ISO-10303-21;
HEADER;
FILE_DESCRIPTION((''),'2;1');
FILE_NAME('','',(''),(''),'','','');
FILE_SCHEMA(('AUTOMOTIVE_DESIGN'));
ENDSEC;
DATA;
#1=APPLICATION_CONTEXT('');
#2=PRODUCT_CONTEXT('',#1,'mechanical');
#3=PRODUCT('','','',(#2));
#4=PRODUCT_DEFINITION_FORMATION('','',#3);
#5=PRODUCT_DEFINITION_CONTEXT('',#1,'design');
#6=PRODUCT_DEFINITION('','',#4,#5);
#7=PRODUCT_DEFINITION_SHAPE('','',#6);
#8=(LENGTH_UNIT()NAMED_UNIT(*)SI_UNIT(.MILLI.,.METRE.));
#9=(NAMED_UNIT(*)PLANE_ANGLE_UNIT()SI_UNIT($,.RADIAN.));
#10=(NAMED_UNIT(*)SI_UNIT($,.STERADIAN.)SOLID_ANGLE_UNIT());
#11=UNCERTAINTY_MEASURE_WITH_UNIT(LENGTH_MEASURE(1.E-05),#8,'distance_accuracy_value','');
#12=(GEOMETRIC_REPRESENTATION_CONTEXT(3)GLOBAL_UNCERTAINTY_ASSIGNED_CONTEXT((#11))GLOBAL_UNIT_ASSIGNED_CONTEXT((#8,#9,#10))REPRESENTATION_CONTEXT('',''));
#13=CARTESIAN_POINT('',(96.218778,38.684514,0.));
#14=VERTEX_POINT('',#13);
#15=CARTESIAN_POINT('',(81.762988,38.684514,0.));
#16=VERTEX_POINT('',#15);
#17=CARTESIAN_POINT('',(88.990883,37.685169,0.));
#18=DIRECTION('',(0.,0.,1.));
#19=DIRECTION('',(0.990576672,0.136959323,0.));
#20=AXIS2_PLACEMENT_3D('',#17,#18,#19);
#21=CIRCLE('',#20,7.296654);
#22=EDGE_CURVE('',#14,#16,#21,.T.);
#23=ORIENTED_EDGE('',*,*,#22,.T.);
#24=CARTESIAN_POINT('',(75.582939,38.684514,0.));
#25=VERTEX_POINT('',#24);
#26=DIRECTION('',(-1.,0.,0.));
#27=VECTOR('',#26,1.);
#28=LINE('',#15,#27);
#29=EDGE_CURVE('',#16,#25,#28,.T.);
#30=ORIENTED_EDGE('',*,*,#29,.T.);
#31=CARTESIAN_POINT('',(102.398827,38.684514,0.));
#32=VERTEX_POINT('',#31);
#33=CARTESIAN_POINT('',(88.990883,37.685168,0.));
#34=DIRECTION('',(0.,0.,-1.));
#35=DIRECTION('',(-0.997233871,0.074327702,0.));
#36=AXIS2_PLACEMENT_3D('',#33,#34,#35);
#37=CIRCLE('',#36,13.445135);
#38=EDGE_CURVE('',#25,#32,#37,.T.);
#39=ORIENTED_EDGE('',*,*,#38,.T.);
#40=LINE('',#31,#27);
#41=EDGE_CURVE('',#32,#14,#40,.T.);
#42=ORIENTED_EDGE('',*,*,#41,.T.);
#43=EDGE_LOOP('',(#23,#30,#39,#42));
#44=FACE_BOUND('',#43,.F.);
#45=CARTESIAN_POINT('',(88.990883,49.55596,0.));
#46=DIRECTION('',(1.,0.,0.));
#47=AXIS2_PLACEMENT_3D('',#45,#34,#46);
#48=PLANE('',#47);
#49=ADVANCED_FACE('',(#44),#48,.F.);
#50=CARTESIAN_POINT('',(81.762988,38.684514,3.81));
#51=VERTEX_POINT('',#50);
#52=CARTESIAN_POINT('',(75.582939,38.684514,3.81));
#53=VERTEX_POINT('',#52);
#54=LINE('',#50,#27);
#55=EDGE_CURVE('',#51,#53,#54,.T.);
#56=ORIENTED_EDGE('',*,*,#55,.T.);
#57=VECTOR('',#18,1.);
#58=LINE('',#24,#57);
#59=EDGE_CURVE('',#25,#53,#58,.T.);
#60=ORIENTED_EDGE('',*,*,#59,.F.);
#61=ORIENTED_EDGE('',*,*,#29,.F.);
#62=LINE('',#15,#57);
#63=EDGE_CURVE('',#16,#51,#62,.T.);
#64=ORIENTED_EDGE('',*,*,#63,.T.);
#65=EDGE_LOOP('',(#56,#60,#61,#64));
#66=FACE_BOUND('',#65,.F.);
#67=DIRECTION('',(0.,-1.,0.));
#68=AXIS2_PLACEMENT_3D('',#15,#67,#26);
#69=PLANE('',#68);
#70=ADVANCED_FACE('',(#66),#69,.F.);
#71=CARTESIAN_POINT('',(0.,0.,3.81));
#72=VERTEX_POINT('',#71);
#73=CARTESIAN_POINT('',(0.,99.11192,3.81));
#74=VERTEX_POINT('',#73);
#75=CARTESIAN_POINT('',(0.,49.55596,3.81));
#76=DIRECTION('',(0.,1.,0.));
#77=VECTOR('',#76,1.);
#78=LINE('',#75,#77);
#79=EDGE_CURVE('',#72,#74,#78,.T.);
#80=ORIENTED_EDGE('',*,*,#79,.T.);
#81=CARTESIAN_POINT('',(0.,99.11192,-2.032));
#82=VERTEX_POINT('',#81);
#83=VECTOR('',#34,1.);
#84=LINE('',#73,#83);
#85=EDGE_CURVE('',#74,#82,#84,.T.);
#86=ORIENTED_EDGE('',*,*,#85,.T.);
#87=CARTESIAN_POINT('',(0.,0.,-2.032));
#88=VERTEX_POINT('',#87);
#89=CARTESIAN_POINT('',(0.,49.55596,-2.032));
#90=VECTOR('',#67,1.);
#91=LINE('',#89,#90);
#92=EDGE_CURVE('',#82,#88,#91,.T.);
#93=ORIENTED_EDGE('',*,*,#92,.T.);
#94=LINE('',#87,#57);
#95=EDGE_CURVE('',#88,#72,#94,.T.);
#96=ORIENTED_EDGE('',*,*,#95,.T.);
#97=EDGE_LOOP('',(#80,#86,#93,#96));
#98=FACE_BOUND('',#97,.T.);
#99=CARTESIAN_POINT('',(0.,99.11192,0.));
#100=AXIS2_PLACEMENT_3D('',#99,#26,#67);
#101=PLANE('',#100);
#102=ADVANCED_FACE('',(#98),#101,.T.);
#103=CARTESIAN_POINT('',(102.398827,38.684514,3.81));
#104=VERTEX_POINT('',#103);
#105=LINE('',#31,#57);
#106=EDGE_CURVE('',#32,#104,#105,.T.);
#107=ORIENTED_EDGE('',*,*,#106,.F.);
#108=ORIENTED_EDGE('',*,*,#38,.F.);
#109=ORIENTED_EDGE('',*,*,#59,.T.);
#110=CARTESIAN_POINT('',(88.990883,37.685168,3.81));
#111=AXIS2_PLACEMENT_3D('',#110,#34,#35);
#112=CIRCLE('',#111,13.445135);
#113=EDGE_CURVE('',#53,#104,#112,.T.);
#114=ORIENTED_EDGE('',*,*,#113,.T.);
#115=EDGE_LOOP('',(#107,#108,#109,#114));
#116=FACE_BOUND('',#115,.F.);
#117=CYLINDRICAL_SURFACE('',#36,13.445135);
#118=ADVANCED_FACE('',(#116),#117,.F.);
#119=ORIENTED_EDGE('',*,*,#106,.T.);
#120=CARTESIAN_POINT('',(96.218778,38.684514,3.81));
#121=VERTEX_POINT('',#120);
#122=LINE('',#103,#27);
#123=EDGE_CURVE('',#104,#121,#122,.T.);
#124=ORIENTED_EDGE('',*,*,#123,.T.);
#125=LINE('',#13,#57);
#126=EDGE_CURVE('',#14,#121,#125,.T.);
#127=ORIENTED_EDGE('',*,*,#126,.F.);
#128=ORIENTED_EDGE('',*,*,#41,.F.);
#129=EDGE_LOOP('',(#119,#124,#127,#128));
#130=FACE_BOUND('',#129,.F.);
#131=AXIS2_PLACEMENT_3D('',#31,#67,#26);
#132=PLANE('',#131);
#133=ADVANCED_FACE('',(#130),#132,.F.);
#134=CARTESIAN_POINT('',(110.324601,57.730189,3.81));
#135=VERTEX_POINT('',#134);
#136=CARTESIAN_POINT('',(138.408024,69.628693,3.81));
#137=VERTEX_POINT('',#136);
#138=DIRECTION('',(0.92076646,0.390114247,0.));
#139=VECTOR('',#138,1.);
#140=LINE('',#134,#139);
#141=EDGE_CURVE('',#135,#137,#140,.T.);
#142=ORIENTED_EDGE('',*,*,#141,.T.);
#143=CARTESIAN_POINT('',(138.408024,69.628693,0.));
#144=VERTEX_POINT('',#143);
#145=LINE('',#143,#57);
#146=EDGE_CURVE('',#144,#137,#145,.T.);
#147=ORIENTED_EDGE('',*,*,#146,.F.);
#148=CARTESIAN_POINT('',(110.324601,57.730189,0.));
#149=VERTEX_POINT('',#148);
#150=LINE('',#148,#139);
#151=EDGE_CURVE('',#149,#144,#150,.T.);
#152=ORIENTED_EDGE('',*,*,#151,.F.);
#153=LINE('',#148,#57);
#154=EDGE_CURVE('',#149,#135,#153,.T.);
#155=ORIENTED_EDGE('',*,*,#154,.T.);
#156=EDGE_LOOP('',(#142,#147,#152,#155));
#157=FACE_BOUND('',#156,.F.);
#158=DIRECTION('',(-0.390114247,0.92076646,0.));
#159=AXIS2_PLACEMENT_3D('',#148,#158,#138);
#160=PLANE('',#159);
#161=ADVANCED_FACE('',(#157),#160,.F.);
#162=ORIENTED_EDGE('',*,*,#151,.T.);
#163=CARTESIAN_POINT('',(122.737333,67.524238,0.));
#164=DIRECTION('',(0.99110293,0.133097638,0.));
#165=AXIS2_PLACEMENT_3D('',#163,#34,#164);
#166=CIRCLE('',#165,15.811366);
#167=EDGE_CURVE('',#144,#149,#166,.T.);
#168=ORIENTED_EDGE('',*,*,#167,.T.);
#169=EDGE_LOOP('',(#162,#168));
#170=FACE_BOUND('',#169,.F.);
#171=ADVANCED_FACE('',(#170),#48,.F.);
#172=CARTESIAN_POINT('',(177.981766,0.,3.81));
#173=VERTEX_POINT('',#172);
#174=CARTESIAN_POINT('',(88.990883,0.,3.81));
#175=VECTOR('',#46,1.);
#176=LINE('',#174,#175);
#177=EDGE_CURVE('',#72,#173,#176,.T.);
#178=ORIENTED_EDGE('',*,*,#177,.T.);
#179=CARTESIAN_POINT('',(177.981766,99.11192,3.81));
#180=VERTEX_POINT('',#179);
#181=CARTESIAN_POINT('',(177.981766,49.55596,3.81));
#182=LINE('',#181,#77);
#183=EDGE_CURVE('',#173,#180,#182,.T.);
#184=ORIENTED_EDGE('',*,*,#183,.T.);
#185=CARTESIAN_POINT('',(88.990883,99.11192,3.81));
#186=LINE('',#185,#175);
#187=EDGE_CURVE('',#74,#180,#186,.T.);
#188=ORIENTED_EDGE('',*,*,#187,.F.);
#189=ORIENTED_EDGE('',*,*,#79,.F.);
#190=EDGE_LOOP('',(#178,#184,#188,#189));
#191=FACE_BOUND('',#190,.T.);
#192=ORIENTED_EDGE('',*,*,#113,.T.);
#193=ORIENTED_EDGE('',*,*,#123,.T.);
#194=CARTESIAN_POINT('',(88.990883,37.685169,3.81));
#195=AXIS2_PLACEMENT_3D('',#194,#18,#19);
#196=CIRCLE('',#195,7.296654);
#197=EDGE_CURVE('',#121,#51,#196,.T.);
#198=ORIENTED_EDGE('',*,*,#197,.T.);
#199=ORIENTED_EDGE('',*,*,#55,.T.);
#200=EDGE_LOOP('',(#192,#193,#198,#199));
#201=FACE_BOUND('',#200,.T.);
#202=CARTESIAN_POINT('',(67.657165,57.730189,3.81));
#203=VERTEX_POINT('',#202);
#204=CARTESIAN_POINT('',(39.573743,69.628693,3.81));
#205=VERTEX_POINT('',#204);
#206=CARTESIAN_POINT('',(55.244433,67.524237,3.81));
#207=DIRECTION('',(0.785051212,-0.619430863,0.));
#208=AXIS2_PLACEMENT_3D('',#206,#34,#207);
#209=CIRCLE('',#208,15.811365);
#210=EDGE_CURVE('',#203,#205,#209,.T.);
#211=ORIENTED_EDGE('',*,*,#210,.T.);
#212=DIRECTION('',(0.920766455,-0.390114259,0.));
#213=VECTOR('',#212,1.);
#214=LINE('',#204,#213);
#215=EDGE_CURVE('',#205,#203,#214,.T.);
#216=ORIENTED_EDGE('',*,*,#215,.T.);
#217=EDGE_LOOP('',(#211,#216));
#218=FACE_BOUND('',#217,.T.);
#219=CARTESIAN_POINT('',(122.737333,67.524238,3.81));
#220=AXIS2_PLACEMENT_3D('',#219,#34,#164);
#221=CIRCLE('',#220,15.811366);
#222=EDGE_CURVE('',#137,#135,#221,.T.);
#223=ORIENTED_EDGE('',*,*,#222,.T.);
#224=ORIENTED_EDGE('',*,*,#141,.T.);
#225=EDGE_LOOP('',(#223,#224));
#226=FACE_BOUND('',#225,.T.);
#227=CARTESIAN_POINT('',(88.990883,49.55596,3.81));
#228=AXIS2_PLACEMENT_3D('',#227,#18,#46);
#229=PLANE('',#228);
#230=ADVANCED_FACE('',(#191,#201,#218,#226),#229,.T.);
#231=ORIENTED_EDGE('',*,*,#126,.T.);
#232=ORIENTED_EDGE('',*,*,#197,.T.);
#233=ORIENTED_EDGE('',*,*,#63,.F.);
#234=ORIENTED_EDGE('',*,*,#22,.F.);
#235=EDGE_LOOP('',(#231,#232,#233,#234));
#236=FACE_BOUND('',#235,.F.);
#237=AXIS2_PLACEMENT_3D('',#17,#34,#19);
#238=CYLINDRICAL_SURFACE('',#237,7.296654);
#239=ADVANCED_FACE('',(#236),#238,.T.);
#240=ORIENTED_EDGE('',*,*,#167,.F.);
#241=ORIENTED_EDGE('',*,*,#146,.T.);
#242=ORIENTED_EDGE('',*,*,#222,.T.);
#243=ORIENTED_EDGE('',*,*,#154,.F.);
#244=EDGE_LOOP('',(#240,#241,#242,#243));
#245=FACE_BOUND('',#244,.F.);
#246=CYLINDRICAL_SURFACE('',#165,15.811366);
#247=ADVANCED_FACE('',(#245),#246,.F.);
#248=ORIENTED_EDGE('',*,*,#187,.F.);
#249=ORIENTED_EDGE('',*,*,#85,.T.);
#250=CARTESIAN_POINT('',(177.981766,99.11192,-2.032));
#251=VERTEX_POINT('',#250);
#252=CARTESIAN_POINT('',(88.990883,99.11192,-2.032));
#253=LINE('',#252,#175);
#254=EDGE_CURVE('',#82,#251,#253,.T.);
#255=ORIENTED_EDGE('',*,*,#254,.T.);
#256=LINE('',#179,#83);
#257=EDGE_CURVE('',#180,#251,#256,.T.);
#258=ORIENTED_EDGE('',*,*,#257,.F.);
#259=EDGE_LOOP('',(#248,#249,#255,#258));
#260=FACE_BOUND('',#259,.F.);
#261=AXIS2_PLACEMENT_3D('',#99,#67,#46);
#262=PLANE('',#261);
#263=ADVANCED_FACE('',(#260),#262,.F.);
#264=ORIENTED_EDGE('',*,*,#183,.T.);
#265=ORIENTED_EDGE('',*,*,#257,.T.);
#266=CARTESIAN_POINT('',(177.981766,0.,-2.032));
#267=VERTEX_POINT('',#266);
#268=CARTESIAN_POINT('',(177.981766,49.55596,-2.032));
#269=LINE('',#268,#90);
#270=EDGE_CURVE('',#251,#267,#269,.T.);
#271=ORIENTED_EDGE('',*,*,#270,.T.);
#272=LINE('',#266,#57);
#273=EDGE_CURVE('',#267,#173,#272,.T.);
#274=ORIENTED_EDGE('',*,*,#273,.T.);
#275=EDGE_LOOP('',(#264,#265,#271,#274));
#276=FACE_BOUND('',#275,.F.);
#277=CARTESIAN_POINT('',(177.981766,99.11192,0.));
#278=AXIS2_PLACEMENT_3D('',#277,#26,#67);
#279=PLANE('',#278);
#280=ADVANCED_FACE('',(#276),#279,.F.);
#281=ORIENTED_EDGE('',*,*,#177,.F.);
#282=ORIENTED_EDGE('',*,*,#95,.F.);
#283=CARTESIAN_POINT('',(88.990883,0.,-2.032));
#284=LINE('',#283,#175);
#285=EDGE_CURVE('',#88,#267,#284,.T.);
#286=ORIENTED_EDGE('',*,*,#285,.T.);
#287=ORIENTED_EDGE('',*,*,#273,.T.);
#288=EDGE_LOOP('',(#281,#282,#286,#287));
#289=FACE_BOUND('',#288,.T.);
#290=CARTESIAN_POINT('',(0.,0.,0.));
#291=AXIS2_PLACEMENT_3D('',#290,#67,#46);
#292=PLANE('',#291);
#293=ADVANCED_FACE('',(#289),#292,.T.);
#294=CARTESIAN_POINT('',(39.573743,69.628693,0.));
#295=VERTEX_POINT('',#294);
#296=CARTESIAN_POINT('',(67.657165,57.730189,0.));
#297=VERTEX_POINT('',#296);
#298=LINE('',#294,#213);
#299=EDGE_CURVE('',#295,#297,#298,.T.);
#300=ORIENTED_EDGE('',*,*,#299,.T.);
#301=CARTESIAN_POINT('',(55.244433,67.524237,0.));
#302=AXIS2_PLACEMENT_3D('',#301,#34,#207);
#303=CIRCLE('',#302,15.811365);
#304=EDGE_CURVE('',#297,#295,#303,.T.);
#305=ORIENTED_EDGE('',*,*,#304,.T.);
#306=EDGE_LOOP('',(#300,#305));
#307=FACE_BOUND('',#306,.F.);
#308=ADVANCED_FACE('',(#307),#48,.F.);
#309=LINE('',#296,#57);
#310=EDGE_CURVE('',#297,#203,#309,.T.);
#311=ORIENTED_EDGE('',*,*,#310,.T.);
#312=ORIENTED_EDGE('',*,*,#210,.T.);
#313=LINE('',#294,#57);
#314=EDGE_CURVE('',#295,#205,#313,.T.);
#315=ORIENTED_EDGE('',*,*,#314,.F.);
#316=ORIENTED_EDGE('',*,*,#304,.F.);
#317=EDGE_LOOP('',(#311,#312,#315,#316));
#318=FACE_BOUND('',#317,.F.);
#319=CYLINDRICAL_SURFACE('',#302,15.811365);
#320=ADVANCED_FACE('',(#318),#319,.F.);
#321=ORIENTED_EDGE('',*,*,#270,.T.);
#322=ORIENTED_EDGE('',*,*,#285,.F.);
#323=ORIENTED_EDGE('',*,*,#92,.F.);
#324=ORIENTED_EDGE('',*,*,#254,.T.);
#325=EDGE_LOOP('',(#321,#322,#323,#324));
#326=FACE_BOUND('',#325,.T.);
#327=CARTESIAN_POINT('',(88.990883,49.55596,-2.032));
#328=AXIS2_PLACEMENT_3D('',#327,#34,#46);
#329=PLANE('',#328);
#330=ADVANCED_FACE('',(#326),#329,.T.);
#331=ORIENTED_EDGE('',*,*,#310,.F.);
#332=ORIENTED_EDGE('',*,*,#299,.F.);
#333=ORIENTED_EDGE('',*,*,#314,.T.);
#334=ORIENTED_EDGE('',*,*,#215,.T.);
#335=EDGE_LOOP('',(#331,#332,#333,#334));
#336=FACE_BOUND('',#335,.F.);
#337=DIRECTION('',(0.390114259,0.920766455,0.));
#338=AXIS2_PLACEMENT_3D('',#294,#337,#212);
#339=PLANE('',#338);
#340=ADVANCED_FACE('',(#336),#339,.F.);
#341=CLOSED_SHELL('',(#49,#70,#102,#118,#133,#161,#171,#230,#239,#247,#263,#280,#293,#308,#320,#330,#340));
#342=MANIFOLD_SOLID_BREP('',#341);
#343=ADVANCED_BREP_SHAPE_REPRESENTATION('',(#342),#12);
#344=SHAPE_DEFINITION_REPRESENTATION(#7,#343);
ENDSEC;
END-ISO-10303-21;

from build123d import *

# Parameters (mm, degrees)
F0_W     = 177.981766
F0_H     = 99.11192
F1_DEPTH = 3.81
F2_W     = 177.981766
F2_H     = 99.11192
F3_DEPTH = 2.032


with BuildPart() as f1:
    # F0 (on Top) → F1 (new body)
    with BuildSketch(Plane.XY):
        with Locations((88.990883, 49.55596)):
            Rectangle(F0_W, F0_H)
        with BuildLine():
            ThreePointArc((75.582939, 38.684514), (88.990883, 51.130303), (102.398827, 38.684514))
            Line((102.398827, 38.684514), (96.218778, 38.684514))
            ThreePointArc((96.218778, 38.684514), (88.990883, 44.981823), (81.762988, 38.684514))
            Line((81.762988, 38.684514), (75.582939, 38.684514))
        make_face(mode=Mode.SUBTRACT)
        with BuildLine():
            Line((39.573743, 69.628693), (67.657165, 57.730189))
            ThreePointArc((67.657165, 57.730189), (49.076194, 52.965662), (39.573743, 69.628693))
        make_face(mode=Mode.SUBTRACT)
        with BuildLine():
            ThreePointArc((138.408024, 69.628693), (128.905572, 52.965662), (110.324601, 57.730189))
            Line((110.324601, 57.730189), (138.408024, 69.628693))
        make_face(mode=Mode.SUBTRACT)
    extrude(amount=F1_DEPTH)

    # F2 (on face) → F3 (join)
    with BuildSketch(Plane(origin=(0, 0, 0), x_dir=(1, 0, 0), z_dir=(0, 0, -1))):
        with Locations((88.990883, -49.55596)):
            Rectangle(F2_W, F2_H)
    extrude(amount=F3_DEPTH)


solid = f1.part
